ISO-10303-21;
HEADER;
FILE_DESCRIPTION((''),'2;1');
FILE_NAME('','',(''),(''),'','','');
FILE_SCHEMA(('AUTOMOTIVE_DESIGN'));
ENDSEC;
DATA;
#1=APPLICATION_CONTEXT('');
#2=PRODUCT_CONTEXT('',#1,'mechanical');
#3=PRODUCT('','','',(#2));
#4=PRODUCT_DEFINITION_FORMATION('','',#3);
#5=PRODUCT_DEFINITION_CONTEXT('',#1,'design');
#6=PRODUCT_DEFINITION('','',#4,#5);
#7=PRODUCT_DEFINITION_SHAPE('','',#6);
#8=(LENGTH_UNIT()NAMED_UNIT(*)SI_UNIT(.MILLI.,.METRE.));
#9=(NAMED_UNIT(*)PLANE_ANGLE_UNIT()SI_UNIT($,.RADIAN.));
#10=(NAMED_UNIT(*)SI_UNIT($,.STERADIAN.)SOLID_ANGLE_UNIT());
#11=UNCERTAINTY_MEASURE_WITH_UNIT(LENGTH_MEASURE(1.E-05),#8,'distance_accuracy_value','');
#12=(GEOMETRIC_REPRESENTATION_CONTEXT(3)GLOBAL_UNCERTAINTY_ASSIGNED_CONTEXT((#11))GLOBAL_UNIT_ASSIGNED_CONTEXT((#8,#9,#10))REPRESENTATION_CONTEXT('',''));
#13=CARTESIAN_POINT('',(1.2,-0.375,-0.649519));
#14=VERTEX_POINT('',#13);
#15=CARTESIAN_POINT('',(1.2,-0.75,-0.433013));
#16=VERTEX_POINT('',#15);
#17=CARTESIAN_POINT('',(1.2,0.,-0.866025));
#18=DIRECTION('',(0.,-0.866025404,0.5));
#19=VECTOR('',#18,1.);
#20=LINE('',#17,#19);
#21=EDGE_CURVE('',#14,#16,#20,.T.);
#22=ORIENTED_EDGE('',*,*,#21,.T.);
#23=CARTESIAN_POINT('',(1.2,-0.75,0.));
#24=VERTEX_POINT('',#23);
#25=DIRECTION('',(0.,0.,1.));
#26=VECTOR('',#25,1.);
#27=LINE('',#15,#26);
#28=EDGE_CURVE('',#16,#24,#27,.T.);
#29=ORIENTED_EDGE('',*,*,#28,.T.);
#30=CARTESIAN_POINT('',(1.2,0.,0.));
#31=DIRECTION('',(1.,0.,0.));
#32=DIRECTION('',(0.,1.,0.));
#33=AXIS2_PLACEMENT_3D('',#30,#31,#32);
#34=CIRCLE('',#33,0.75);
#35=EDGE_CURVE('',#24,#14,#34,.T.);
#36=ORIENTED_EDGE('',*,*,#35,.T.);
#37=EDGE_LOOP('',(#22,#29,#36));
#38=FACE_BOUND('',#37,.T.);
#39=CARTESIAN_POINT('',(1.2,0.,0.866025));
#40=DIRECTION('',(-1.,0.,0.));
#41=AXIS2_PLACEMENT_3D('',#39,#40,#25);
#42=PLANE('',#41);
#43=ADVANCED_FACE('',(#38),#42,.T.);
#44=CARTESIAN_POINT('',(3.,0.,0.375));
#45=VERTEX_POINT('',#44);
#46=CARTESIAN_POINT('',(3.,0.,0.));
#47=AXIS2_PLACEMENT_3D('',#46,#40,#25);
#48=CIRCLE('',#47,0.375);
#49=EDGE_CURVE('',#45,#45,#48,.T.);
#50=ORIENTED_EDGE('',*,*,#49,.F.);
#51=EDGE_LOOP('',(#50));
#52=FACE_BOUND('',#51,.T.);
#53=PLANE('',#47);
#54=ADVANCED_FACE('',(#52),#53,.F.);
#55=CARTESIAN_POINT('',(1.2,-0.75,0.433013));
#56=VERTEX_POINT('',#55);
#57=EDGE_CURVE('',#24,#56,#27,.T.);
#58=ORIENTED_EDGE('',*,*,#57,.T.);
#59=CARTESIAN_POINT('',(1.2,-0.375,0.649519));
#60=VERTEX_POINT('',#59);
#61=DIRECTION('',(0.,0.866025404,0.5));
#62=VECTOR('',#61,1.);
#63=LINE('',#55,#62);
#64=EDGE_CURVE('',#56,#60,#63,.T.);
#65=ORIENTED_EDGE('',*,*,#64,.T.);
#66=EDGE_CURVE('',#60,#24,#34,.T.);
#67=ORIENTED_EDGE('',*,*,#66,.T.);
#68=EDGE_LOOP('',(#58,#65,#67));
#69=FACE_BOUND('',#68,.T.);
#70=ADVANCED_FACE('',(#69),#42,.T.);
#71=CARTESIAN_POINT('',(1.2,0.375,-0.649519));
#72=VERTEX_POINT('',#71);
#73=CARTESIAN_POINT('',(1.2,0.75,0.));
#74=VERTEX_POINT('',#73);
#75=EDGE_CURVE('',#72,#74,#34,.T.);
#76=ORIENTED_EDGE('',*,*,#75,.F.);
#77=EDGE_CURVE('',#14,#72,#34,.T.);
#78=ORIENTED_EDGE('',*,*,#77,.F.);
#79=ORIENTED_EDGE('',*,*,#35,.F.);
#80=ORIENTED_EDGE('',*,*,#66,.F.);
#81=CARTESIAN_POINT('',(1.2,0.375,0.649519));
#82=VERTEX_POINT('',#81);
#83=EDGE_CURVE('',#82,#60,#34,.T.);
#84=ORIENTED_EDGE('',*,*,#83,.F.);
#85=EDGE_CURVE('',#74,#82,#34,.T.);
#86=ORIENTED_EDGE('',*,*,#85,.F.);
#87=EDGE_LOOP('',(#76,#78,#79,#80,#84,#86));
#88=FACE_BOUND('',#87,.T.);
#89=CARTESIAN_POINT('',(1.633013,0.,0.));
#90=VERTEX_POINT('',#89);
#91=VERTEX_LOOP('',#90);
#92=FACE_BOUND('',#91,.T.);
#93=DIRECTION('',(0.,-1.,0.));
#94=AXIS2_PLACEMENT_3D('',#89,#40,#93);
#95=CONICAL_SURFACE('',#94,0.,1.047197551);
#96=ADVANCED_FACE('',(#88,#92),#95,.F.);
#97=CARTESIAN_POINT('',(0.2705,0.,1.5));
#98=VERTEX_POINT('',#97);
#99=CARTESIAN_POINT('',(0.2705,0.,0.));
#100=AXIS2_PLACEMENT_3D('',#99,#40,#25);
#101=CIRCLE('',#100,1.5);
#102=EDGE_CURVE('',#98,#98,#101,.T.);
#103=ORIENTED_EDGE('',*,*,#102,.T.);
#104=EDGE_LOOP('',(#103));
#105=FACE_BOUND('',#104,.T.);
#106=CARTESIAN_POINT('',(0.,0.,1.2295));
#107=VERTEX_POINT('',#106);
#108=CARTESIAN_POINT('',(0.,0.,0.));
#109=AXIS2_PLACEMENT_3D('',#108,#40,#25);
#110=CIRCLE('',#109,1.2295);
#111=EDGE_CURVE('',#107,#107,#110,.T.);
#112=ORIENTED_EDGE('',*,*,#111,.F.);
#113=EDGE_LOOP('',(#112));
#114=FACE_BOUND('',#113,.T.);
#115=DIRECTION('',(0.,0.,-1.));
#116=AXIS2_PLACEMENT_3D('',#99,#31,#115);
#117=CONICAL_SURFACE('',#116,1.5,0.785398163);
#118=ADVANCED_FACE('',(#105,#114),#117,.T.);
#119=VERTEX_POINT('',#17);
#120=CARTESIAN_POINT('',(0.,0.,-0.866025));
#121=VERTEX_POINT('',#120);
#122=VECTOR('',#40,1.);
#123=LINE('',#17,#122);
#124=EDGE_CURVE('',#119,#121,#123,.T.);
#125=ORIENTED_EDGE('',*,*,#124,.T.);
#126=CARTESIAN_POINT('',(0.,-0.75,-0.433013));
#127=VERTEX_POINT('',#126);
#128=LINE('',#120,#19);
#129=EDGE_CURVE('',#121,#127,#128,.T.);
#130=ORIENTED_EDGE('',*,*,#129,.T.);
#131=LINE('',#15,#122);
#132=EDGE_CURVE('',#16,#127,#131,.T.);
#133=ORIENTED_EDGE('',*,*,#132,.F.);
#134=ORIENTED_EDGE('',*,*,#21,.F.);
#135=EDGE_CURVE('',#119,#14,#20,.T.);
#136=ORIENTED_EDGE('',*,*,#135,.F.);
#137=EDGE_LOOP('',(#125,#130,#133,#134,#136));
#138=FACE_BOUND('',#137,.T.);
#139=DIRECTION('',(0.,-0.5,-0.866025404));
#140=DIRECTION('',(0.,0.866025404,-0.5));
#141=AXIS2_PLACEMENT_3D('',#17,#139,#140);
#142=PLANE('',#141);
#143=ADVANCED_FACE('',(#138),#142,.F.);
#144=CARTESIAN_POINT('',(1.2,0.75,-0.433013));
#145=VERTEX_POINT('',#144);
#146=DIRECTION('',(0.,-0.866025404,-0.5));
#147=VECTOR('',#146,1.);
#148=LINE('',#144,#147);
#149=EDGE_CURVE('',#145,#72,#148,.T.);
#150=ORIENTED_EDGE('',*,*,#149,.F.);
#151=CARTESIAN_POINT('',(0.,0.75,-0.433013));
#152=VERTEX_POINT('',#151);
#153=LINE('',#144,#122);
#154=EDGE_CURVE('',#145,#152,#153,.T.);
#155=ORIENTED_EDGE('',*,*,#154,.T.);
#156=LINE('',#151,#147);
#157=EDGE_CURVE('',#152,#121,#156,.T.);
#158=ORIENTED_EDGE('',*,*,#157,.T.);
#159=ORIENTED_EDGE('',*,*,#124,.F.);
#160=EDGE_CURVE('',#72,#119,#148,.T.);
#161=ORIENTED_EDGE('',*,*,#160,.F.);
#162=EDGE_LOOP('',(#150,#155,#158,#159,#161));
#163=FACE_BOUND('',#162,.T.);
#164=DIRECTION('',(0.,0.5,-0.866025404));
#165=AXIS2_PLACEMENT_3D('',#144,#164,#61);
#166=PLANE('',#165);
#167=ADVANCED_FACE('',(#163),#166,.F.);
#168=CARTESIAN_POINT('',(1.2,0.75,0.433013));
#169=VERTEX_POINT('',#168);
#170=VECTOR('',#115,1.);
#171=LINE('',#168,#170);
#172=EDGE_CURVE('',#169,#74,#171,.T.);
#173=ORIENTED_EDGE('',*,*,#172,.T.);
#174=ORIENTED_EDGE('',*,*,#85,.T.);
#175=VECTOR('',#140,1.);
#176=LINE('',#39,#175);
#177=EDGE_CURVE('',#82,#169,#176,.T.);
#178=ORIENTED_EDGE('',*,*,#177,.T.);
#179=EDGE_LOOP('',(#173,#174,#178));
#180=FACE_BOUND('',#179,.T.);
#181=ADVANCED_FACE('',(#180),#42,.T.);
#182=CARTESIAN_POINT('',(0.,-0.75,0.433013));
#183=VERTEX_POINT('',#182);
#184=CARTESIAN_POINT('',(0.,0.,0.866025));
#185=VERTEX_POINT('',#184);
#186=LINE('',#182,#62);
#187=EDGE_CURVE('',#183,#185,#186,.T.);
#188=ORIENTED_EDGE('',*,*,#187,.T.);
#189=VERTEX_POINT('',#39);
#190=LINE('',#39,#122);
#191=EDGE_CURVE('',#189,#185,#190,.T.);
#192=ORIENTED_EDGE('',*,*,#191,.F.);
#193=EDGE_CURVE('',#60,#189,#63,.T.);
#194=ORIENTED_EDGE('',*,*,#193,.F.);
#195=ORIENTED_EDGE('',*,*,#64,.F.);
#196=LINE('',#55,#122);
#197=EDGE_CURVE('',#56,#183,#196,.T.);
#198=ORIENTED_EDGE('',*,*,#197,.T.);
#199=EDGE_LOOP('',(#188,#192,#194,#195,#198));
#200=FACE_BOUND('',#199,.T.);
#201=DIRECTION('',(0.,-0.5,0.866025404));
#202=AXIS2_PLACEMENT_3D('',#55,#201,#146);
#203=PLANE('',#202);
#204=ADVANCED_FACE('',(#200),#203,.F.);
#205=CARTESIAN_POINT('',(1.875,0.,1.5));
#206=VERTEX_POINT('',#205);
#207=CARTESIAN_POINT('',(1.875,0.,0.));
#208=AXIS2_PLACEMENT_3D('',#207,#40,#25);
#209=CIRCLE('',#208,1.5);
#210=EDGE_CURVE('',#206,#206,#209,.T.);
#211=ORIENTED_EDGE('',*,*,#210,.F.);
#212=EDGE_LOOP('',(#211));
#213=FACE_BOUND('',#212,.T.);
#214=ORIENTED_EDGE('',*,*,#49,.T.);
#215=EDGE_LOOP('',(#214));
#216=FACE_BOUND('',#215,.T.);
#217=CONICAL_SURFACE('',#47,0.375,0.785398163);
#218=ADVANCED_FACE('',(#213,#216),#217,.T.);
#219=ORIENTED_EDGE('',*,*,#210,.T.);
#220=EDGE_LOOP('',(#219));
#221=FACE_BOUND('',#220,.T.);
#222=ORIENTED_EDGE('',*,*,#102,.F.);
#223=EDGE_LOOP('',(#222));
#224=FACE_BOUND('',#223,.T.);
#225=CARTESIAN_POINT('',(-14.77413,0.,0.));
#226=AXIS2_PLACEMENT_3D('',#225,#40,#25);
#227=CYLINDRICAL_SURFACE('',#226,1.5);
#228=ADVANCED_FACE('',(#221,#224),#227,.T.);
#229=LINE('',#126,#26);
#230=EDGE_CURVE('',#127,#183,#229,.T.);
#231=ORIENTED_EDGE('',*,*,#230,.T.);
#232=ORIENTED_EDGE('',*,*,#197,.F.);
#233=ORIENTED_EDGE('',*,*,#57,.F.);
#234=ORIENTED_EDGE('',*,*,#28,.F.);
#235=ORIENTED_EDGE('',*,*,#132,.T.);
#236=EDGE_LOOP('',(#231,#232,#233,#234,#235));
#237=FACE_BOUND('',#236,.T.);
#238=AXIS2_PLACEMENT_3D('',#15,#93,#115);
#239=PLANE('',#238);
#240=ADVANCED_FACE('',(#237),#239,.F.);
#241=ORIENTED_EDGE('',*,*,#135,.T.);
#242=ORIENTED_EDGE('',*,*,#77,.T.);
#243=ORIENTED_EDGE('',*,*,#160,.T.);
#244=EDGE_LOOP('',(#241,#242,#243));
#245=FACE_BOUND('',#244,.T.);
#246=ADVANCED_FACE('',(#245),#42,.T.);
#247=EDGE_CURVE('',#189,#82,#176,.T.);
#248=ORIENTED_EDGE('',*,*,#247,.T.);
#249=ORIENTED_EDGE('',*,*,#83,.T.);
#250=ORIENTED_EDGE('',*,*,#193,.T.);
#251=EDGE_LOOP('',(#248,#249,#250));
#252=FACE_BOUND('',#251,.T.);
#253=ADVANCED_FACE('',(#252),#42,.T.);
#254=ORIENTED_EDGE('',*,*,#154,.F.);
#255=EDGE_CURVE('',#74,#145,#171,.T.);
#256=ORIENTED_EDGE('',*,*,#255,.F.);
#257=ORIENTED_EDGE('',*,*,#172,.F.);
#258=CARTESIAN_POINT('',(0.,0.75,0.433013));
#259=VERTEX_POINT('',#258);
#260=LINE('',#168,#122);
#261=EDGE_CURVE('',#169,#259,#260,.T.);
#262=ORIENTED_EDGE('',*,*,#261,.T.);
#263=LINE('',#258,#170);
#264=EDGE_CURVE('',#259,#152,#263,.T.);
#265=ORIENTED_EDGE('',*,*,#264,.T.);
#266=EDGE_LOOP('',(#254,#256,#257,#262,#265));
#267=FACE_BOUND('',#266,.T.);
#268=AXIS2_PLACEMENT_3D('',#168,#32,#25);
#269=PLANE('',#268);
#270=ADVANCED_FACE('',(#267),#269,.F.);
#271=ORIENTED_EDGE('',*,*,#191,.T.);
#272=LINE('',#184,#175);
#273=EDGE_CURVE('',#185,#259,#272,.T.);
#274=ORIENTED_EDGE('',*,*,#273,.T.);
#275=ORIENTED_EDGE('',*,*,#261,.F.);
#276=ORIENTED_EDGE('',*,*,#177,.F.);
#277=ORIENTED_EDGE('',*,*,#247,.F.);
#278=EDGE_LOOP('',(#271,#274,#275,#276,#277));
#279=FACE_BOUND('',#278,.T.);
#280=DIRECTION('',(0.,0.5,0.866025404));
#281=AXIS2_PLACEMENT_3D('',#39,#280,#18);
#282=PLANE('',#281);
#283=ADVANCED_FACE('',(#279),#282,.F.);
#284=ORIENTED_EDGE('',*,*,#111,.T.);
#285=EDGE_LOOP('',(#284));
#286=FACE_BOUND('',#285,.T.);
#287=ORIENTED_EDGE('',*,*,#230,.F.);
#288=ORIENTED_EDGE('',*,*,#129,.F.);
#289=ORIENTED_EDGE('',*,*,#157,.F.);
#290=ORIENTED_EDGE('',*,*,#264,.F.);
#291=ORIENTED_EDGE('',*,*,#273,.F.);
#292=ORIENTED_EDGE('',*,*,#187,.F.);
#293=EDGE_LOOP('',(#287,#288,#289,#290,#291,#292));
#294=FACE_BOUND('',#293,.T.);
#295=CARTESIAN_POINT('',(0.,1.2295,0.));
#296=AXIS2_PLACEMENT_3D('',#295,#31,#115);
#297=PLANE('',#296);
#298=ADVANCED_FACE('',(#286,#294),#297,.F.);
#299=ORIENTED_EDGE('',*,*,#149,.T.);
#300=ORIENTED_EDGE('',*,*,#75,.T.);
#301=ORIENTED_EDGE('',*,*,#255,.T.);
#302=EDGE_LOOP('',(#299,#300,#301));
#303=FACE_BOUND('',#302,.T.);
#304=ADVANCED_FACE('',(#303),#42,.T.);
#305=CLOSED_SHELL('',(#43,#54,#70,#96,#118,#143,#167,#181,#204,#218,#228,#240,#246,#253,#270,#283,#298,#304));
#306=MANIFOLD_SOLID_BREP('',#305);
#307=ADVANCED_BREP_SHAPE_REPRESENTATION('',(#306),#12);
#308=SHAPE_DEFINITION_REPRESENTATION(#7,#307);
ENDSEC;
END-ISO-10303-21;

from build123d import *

# Parameters (mm, degrees)
HEXAGONSOCKET_DEPTH = 1.2


with BuildPart() as part:
    # Sketch1 → Base (revolve)
    with BuildSketch(Plane.XY):
        Polygon((0, 0), (3, 0), (3, 0.375), (1.875, 1.5), (0.2705, 1.5), (0, 1.2295), align=None)
    revolve(axis=Axis((-14.774129749, 0, 0), (1, 0, 0)))

    # Sketch2 → HexagonSocket (cut)
    with BuildSketch(Plane(origin=(0, 0.220293087, -0.139195271), x_dir=(0, 0, 1), z_dir=(-1, 0, 0))):
        Polygon((1.005220675, -0.220293087), (0.572207973, 0.529706913), (-0.293817431, 0.529706913), (-0.726830132, -0.220293087), (-0.293817431, -0.970293087), (0.572207973, -0.970293087), align=None)
    extrude(amount=-HEXAGONSOCKET_DEPTH, mode=Mode.SUBTRACT)

    # Sketch3 → Cut-Revolve (revolve, cut)
    with BuildSketch(Plane.XY):
        Polygon((1.2, 0.75), (1.633012702, 0), (1.2, 0), align=None)
    revolve(axis=Axis((1.2, 0, 0), (-1, 0, 0)), mode=Mode.SUBTRACT)


solid = part.part
